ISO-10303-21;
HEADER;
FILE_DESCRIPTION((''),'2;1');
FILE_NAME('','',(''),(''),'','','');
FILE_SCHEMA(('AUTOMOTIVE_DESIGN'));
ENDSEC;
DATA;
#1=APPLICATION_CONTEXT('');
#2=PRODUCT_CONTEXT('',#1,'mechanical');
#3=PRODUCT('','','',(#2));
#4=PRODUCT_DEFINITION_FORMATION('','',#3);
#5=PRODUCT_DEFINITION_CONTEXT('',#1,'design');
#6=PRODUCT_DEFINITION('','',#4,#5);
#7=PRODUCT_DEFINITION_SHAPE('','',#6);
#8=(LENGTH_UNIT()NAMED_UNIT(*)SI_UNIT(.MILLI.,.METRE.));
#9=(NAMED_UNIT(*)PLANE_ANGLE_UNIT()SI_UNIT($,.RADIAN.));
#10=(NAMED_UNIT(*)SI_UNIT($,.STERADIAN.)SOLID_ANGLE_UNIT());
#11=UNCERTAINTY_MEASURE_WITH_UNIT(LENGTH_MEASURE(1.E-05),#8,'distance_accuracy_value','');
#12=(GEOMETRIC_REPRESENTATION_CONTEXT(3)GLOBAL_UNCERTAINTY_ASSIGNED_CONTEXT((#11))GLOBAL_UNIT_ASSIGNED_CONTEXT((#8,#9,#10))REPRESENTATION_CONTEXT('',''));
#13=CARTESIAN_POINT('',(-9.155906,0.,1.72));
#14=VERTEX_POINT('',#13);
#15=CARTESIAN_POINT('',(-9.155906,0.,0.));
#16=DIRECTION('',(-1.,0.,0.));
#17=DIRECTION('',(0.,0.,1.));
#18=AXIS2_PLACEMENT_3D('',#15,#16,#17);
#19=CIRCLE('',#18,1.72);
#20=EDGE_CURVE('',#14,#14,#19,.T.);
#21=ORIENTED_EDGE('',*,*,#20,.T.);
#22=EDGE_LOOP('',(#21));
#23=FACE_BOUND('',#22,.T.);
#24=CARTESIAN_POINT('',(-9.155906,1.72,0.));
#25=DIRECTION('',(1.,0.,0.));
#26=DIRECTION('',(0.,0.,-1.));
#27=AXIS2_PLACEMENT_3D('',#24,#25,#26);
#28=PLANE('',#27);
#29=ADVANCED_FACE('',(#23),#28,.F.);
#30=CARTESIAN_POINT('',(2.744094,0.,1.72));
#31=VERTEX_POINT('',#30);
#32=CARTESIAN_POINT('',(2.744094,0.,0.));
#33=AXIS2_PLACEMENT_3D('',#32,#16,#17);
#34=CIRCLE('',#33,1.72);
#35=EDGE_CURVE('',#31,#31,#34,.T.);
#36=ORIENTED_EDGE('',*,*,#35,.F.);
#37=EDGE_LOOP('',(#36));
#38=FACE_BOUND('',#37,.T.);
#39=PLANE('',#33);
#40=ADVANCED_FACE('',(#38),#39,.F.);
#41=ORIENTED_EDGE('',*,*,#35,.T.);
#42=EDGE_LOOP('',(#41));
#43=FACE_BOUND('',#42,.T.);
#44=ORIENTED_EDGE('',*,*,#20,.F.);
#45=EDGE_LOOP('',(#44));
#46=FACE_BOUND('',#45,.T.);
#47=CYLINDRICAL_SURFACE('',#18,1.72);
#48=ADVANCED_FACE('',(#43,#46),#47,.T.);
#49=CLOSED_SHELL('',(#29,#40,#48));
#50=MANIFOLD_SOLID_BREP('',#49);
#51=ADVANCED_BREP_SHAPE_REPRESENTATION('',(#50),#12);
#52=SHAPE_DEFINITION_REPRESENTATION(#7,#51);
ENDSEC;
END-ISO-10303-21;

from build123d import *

# Parameters (mm, degrees)
SKETCH2_W = 11.9
SKETCH2_H = 1.72


with BuildPart() as part:
    # Sketch2 → Revolve1 (revolve)
    with BuildSketch(Plane.XY, mode=Mode.PRIVATE) as revolve1_sk:
        with Locations((-3.205905512, 0.86)):
            Rectangle(SKETCH2_W, SKETCH2_H)
    revolve(revolve1_sk.sketch.rotate(Axis((-9.155905512, 0, 0), (1, 0, 0)), 90), axis=Axis((-9.155905512, 0, 0), (1, 0, 0)))


solid = part.part
